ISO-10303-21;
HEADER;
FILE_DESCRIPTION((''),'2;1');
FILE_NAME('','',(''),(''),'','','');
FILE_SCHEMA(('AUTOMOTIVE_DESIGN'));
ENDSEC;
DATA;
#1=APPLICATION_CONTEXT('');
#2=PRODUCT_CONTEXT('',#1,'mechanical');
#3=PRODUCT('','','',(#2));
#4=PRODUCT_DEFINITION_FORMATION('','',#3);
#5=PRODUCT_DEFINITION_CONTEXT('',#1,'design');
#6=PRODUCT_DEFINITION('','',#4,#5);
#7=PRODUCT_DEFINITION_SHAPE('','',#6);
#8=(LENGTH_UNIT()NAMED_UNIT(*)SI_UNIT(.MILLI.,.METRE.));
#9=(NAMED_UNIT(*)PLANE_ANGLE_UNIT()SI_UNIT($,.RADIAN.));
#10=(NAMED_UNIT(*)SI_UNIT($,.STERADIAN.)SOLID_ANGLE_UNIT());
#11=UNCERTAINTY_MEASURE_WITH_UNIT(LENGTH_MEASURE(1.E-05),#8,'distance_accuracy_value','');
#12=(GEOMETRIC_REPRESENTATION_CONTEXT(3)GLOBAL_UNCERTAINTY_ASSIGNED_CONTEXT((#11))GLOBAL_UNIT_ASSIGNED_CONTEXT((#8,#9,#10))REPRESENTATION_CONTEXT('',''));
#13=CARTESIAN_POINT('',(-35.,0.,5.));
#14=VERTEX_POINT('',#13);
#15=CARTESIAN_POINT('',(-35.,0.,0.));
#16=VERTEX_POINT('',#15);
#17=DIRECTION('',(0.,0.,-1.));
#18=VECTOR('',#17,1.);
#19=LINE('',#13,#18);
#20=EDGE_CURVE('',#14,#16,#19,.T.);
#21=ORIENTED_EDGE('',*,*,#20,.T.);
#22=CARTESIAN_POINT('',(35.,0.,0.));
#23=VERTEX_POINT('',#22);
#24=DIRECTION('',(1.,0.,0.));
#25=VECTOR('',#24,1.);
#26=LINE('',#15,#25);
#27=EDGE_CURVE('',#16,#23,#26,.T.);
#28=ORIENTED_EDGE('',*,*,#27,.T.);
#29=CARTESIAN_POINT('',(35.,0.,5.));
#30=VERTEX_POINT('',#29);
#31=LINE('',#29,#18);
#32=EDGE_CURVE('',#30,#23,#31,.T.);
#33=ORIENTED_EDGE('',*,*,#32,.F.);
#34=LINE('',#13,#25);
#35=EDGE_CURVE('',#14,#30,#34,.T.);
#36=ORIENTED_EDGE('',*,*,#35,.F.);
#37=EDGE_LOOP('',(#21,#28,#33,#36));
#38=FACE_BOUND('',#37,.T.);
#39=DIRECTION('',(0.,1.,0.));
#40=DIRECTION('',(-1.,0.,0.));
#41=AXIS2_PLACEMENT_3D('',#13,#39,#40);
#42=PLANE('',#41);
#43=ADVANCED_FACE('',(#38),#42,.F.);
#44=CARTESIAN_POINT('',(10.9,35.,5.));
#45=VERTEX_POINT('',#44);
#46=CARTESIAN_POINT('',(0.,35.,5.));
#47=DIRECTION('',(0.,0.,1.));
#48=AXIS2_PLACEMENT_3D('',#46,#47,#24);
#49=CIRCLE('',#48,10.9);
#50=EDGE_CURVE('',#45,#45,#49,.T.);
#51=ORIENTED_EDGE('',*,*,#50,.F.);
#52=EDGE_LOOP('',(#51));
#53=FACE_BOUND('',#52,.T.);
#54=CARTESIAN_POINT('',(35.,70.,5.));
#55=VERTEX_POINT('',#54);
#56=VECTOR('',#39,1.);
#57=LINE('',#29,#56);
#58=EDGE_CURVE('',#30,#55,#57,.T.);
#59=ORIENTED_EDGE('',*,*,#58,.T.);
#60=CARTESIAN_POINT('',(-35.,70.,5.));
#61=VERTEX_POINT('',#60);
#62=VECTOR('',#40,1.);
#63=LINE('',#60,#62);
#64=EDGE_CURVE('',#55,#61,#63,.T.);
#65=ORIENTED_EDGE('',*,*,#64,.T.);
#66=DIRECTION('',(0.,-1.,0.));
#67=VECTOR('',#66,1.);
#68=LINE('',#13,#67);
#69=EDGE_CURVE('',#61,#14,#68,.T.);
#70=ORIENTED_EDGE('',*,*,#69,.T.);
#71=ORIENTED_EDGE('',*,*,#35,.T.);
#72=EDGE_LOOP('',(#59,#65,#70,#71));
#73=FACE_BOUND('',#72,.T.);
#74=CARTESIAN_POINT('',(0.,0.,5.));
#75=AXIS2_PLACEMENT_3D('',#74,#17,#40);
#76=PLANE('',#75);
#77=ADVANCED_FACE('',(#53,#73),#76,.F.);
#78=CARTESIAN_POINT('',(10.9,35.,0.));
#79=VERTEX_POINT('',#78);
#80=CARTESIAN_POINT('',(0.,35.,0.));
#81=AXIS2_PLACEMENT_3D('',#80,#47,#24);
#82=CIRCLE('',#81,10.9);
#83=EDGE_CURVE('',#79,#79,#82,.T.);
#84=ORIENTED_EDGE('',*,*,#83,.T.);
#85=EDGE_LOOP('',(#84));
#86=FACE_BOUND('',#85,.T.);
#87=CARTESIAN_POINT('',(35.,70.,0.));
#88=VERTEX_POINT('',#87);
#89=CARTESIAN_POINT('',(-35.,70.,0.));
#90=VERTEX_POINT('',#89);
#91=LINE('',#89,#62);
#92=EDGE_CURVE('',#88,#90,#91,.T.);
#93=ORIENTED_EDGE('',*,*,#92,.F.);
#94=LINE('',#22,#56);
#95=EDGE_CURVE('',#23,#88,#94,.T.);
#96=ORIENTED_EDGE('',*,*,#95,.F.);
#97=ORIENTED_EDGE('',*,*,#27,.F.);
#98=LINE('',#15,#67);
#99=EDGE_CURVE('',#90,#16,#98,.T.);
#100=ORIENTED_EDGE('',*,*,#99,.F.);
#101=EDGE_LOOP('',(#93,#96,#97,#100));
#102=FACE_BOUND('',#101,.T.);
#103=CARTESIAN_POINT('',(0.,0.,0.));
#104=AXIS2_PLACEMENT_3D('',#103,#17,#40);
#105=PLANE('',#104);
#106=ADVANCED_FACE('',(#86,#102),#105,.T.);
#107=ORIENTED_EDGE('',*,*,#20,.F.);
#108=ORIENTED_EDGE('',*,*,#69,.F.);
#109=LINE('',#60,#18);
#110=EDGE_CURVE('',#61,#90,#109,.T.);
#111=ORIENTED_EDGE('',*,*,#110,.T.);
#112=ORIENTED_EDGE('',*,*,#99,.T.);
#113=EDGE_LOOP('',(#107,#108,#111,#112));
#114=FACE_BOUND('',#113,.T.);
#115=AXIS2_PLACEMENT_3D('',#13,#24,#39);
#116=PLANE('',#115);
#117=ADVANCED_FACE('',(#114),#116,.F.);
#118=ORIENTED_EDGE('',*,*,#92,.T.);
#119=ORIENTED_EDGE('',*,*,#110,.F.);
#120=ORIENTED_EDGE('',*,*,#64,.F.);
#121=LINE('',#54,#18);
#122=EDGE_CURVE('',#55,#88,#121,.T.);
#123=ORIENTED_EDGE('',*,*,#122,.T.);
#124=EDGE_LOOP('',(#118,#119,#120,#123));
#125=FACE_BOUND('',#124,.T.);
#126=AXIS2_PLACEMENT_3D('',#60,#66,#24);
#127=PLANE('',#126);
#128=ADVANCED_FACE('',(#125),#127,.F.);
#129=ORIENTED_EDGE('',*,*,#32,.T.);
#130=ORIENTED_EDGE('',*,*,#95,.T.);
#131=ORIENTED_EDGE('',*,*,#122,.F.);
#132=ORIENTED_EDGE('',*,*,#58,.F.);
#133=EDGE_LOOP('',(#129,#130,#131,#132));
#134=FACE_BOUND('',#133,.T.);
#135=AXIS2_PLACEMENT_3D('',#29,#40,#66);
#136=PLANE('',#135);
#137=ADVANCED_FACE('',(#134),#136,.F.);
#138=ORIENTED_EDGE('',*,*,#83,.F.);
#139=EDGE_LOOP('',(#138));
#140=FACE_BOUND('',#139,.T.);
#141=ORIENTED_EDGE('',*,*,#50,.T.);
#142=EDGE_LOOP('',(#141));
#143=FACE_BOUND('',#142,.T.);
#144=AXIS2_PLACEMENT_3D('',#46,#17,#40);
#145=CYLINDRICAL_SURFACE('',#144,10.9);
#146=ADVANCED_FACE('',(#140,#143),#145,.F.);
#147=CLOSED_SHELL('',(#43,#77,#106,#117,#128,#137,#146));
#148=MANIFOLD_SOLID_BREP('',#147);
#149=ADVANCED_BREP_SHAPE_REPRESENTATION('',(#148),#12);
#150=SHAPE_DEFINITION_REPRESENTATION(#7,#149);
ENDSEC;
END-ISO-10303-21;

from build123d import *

# Parameters (mm, degrees)
SKETCH_2_W      = 70
SKETCH_2_H      = 70
SKETCH_2_R      = 10.9
EXTRUDE_1_DEPTH = 5


with BuildPart() as part:
    # ｽｹｯﾁ2 → ﾎﾞｽ - 押し出し1 (new body)
    with BuildSketch(Plane.XY):
        with Locations((0, 35)):
            Rectangle(SKETCH_2_W, SKETCH_2_H)
        with Locations((0, 35)):
            Circle(SKETCH_2_R, mode=Mode.SUBTRACT)
    extrude(amount=EXTRUDE_1_DEPTH)


solid = part.part
